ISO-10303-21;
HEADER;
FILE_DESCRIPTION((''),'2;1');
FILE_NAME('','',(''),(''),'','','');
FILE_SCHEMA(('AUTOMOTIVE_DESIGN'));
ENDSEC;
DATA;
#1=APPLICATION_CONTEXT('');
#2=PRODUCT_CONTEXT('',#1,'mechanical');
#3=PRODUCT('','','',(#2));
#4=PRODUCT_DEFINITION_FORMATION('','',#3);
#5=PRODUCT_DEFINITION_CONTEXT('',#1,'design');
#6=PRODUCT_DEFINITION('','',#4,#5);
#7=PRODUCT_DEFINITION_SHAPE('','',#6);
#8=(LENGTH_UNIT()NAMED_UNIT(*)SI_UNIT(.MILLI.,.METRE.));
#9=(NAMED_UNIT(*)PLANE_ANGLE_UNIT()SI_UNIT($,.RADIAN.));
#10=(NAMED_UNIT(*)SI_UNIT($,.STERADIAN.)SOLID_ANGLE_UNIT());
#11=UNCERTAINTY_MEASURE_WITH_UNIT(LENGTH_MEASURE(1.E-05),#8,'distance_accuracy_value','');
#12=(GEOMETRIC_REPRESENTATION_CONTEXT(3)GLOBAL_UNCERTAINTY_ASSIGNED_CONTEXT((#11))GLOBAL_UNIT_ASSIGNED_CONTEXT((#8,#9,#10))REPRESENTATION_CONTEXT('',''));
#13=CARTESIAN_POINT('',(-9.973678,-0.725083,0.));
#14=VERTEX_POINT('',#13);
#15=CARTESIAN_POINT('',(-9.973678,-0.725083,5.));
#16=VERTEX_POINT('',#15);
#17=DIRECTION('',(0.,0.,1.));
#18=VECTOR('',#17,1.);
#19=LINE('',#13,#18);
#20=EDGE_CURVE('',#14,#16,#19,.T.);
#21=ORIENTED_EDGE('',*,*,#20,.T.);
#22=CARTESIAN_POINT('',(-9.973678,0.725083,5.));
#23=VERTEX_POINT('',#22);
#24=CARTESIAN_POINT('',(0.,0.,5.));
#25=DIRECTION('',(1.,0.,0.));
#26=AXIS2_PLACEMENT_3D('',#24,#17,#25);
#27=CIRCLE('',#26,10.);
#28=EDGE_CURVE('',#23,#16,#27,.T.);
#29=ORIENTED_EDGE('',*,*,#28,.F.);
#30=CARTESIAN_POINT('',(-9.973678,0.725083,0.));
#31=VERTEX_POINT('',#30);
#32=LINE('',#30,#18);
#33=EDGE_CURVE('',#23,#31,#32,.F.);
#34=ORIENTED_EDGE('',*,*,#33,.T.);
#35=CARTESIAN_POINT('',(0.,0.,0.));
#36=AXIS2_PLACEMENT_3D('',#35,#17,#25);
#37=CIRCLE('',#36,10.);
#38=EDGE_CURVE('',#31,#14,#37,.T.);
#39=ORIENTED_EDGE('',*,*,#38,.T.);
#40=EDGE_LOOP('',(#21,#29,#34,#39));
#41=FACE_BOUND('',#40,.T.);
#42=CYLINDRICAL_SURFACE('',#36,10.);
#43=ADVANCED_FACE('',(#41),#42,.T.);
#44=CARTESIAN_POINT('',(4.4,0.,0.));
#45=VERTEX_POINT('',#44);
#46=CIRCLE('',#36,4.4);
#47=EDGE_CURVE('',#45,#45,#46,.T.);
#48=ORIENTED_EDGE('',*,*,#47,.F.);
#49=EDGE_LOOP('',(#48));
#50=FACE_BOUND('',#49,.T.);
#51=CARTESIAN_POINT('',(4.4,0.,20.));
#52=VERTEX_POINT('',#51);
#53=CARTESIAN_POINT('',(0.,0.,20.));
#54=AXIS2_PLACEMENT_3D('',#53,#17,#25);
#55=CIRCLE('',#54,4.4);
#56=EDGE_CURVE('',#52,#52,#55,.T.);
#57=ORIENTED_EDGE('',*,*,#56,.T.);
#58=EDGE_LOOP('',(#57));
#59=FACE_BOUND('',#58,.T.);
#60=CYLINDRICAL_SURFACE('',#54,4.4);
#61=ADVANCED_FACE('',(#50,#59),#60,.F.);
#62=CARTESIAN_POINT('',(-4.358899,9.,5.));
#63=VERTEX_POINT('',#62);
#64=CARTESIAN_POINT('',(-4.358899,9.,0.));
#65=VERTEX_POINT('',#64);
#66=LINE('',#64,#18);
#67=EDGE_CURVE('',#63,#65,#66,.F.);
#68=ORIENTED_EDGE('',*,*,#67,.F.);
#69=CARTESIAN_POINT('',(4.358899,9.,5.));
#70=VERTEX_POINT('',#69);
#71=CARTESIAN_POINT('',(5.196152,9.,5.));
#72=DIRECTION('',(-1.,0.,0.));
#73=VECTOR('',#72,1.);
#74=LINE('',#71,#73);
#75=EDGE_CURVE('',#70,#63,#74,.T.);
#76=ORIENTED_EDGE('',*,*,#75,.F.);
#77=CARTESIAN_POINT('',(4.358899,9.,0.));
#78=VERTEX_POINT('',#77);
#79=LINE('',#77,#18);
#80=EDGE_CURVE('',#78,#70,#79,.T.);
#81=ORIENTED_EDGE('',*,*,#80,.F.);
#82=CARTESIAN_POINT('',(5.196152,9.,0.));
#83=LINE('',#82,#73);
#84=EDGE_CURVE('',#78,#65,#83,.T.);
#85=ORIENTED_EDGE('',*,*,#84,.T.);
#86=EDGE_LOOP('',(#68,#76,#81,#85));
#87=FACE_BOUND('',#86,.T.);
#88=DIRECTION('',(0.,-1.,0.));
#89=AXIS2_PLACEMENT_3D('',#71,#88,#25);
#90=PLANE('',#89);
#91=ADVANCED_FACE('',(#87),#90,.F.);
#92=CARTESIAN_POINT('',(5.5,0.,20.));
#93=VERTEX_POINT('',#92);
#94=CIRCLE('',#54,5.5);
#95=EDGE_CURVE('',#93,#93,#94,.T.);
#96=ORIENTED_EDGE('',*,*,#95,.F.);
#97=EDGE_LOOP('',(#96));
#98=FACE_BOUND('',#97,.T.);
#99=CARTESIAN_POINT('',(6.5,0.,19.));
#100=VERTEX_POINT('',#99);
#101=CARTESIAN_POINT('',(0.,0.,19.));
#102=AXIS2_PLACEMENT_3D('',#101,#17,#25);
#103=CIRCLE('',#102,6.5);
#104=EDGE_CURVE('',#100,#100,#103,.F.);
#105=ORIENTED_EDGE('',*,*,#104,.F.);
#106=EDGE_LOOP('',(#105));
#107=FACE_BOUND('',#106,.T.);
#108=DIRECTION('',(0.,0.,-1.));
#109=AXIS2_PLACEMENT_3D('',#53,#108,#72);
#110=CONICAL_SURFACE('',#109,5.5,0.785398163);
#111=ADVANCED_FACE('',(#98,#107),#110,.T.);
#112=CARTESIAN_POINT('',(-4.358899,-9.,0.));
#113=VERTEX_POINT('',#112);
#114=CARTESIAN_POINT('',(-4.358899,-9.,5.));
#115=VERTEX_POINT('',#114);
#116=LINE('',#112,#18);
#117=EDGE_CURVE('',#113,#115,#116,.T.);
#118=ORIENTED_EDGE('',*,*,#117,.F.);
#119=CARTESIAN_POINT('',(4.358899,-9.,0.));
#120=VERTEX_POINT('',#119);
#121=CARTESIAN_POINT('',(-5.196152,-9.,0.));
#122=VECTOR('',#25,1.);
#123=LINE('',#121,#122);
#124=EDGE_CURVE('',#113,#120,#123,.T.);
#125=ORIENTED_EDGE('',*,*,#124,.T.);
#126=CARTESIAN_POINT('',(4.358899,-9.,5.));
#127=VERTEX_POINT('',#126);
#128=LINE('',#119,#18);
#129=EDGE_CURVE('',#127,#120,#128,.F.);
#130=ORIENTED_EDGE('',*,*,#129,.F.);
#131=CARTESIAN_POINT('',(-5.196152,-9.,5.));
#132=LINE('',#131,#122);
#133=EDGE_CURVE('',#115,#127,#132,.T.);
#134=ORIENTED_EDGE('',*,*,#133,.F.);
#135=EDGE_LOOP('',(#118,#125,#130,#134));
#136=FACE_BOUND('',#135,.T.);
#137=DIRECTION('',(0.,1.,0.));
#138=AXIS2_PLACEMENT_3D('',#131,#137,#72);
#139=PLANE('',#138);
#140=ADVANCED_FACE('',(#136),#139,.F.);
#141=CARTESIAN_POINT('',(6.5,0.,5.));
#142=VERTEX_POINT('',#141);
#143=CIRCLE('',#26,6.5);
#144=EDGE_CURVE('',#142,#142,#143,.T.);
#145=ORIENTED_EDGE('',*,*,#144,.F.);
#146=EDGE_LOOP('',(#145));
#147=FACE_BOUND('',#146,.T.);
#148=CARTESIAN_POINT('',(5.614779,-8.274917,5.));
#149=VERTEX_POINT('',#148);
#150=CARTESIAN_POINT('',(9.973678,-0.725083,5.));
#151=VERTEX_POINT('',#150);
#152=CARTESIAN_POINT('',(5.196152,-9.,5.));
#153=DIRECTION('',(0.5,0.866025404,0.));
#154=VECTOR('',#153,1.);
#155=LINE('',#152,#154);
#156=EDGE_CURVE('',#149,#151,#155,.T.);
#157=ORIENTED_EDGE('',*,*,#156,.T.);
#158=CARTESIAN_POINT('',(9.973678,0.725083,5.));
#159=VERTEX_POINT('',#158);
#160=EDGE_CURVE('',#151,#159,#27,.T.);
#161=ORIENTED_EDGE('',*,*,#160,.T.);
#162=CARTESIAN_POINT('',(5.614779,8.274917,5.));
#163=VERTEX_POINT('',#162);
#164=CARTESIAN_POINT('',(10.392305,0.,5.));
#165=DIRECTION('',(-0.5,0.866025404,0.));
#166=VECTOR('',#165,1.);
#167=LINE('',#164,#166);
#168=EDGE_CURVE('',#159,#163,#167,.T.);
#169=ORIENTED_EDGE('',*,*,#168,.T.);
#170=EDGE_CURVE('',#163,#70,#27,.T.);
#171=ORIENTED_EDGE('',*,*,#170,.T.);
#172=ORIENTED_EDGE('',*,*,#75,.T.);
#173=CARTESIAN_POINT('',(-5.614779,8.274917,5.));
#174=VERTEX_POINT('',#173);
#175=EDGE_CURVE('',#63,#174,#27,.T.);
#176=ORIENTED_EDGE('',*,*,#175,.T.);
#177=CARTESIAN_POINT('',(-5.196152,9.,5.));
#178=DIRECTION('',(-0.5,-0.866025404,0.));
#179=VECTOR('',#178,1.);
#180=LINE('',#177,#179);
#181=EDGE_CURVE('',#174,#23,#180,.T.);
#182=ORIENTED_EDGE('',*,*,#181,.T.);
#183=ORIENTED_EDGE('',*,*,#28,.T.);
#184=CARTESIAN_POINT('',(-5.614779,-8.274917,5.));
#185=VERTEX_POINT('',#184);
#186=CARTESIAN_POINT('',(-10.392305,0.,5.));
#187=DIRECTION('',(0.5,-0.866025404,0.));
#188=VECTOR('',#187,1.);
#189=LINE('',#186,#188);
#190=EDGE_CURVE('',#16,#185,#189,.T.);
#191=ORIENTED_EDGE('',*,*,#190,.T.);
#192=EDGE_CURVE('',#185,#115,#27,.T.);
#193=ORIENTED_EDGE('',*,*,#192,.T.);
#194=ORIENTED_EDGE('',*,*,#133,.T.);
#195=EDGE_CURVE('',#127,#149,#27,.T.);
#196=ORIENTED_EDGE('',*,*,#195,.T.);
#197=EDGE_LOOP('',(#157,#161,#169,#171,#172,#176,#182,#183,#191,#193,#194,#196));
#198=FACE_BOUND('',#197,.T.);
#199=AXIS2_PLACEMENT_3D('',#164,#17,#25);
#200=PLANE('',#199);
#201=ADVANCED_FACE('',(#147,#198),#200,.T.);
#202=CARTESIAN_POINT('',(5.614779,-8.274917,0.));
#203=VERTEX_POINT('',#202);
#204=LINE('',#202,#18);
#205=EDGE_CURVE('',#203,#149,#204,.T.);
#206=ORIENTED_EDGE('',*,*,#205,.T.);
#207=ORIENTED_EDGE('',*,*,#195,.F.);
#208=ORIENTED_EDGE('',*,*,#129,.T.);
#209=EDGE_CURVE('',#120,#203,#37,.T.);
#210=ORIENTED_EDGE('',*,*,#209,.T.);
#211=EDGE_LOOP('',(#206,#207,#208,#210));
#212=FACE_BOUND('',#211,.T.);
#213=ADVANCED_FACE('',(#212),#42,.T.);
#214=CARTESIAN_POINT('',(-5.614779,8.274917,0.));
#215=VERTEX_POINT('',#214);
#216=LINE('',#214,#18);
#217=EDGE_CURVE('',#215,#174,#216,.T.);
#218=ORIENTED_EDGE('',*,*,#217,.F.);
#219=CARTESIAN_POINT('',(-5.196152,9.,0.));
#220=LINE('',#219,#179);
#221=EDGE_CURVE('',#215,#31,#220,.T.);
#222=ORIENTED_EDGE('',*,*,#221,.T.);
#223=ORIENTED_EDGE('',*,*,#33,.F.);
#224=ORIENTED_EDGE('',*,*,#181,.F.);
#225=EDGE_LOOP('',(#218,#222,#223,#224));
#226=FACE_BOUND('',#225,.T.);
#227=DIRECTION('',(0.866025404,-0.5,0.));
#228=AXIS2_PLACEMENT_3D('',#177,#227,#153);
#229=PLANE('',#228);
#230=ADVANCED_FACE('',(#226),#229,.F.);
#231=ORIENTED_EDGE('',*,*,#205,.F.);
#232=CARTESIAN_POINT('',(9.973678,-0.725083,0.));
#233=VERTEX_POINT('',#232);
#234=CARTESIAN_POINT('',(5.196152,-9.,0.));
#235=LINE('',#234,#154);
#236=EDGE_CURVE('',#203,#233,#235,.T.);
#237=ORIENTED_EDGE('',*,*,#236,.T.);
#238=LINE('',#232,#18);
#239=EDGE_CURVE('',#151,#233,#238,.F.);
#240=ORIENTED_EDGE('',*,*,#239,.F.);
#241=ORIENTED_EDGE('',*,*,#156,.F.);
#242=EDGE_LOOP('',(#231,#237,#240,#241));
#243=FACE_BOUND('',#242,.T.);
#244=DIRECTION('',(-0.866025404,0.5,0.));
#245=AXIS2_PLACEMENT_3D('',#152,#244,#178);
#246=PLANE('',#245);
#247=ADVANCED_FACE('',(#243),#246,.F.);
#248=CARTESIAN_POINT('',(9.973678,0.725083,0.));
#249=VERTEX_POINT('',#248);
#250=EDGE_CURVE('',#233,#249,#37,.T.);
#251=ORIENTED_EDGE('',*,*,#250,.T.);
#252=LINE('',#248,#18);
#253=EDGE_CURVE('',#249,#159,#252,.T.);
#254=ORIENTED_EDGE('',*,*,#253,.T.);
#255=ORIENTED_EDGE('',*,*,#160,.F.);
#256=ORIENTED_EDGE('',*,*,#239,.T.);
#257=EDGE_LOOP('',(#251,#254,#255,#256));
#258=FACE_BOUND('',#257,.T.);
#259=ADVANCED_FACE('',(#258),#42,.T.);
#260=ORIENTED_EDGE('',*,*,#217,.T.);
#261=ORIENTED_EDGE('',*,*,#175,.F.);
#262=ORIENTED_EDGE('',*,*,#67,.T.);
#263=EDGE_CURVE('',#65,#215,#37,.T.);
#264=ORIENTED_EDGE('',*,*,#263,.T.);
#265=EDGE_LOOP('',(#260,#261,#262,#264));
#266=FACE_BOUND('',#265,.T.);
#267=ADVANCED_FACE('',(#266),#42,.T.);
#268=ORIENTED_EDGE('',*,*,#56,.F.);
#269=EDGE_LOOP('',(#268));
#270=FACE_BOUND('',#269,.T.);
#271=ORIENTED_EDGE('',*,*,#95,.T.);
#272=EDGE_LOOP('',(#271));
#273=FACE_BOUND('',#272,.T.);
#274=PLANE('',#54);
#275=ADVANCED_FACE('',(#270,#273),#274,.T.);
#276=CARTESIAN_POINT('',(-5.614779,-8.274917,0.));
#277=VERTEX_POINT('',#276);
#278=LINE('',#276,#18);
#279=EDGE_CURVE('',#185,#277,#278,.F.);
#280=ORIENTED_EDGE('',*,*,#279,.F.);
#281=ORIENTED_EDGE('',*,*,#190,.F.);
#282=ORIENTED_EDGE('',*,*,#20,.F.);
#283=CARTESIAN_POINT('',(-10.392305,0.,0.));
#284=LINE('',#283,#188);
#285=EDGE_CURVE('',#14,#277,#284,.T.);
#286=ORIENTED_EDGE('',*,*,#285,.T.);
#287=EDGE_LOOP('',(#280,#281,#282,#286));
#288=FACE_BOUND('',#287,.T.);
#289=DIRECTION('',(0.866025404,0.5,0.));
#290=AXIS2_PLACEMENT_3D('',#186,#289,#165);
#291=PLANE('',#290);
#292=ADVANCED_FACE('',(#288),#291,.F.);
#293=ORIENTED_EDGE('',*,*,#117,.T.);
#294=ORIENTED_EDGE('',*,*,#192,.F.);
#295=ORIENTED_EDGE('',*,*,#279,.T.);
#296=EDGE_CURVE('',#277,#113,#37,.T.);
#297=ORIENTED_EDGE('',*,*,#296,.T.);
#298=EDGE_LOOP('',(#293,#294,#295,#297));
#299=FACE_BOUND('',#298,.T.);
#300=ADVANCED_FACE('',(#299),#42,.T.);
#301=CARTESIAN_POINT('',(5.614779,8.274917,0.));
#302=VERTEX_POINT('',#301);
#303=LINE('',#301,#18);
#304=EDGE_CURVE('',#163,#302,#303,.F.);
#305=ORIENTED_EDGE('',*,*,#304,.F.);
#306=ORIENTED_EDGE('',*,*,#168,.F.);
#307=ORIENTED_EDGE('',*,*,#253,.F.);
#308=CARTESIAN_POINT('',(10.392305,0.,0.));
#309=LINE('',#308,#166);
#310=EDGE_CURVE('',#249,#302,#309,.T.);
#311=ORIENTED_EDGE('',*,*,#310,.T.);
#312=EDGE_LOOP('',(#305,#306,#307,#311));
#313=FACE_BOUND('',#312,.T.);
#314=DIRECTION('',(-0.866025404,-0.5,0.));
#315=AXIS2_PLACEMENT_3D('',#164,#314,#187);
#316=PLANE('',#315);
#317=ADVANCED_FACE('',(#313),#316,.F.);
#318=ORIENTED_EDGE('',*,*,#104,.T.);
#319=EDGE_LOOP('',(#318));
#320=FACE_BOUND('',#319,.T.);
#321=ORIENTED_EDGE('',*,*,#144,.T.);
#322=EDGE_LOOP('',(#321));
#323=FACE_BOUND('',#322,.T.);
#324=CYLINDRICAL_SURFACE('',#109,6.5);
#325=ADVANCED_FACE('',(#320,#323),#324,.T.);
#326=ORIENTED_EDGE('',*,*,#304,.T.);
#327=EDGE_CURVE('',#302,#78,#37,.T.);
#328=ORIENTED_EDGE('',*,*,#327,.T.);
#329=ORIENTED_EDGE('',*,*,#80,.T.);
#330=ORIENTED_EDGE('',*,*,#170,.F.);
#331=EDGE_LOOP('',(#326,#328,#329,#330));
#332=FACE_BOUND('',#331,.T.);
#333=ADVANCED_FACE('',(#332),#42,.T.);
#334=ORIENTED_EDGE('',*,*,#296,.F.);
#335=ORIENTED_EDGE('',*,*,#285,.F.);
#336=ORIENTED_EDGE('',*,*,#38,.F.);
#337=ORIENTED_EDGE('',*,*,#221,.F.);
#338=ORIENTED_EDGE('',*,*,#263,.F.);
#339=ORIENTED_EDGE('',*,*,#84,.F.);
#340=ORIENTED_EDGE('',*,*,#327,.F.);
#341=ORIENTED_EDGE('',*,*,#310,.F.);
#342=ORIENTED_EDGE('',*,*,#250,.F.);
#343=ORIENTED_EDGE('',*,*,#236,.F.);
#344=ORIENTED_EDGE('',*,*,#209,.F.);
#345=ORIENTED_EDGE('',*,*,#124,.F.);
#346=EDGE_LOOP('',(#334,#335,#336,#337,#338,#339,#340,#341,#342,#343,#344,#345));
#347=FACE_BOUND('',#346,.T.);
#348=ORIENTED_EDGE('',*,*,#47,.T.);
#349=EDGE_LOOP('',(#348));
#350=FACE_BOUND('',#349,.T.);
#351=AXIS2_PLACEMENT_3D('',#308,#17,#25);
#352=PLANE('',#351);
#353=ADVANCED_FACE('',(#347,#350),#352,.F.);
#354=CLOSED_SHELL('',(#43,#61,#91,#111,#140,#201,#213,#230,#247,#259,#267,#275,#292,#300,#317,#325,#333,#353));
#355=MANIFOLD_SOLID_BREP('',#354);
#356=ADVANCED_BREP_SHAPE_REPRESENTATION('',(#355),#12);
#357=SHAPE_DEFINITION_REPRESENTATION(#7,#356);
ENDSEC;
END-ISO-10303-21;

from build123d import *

# Parameters (mm, degrees)
EXTRUDE_1_DEPTH     = 5
SKETCH_2_R          = 6.5
EXTRUDE_2_DEPTH     = 15
SKETCH_5_OUTSIDE_W  = 29.584
SKETCH_5_OUTSIDE_H  = 26.8
SKETCH_5_OUTSIDE_R  = 10
CUT_EXTRUDE_1_DEPTH = 21.346989949
CHAMFER_1_SIZE      = 1
M10X1_25_1_D        = 8.8


with BuildPart() as part:
    # 草图1 → 凸台-拉伸1 (new body)
    with BuildSketch(Plane.XY):
        Polygon((10.392304845, 0), (5.196152423, 9), (-5.196152423, 9), (-10.392304845, 0), (-5.196152423, -9), (5.196152423, -9), align=None)
    extrude(amount=EXTRUDE_1_DEPTH)

    # 草图2 → 凸台-拉伸2 (add)
    with BuildSketch(Plane.XY.offset(5)):
        Circle(SKETCH_2_R)
    extrude(amount=EXTRUDE_2_DEPTH)

    # 草图5 outside → 切除-拉伸1 (cut, through all)
    with BuildSketch(Plane.XY.offset(5)):
        Rectangle(SKETCH_5_OUTSIDE_W, SKETCH_5_OUTSIDE_H)
        Circle(SKETCH_5_OUTSIDE_R, mode=Mode.SUBTRACT)
    extrude(amount=-CUT_EXTRUDE_1_DEPTH, mode=Mode.SUBTRACT)

    # 倒角1
    chamfer_1_edges = [part.edges().sort_by_distance(p)[0] for p in [
        (-6.5, 0, 20),
    ]]
    chamfer(chamfer_1_edges, length=CHAMFER_1_SIZE)

    # M10x1.25 螺纹孔1 (through all)
    with Locations(Plane.XY.offset(20)):
        with Locations((0, 0)):
            Hole(M10X1_25_1_D / 2)


solid = part.part
